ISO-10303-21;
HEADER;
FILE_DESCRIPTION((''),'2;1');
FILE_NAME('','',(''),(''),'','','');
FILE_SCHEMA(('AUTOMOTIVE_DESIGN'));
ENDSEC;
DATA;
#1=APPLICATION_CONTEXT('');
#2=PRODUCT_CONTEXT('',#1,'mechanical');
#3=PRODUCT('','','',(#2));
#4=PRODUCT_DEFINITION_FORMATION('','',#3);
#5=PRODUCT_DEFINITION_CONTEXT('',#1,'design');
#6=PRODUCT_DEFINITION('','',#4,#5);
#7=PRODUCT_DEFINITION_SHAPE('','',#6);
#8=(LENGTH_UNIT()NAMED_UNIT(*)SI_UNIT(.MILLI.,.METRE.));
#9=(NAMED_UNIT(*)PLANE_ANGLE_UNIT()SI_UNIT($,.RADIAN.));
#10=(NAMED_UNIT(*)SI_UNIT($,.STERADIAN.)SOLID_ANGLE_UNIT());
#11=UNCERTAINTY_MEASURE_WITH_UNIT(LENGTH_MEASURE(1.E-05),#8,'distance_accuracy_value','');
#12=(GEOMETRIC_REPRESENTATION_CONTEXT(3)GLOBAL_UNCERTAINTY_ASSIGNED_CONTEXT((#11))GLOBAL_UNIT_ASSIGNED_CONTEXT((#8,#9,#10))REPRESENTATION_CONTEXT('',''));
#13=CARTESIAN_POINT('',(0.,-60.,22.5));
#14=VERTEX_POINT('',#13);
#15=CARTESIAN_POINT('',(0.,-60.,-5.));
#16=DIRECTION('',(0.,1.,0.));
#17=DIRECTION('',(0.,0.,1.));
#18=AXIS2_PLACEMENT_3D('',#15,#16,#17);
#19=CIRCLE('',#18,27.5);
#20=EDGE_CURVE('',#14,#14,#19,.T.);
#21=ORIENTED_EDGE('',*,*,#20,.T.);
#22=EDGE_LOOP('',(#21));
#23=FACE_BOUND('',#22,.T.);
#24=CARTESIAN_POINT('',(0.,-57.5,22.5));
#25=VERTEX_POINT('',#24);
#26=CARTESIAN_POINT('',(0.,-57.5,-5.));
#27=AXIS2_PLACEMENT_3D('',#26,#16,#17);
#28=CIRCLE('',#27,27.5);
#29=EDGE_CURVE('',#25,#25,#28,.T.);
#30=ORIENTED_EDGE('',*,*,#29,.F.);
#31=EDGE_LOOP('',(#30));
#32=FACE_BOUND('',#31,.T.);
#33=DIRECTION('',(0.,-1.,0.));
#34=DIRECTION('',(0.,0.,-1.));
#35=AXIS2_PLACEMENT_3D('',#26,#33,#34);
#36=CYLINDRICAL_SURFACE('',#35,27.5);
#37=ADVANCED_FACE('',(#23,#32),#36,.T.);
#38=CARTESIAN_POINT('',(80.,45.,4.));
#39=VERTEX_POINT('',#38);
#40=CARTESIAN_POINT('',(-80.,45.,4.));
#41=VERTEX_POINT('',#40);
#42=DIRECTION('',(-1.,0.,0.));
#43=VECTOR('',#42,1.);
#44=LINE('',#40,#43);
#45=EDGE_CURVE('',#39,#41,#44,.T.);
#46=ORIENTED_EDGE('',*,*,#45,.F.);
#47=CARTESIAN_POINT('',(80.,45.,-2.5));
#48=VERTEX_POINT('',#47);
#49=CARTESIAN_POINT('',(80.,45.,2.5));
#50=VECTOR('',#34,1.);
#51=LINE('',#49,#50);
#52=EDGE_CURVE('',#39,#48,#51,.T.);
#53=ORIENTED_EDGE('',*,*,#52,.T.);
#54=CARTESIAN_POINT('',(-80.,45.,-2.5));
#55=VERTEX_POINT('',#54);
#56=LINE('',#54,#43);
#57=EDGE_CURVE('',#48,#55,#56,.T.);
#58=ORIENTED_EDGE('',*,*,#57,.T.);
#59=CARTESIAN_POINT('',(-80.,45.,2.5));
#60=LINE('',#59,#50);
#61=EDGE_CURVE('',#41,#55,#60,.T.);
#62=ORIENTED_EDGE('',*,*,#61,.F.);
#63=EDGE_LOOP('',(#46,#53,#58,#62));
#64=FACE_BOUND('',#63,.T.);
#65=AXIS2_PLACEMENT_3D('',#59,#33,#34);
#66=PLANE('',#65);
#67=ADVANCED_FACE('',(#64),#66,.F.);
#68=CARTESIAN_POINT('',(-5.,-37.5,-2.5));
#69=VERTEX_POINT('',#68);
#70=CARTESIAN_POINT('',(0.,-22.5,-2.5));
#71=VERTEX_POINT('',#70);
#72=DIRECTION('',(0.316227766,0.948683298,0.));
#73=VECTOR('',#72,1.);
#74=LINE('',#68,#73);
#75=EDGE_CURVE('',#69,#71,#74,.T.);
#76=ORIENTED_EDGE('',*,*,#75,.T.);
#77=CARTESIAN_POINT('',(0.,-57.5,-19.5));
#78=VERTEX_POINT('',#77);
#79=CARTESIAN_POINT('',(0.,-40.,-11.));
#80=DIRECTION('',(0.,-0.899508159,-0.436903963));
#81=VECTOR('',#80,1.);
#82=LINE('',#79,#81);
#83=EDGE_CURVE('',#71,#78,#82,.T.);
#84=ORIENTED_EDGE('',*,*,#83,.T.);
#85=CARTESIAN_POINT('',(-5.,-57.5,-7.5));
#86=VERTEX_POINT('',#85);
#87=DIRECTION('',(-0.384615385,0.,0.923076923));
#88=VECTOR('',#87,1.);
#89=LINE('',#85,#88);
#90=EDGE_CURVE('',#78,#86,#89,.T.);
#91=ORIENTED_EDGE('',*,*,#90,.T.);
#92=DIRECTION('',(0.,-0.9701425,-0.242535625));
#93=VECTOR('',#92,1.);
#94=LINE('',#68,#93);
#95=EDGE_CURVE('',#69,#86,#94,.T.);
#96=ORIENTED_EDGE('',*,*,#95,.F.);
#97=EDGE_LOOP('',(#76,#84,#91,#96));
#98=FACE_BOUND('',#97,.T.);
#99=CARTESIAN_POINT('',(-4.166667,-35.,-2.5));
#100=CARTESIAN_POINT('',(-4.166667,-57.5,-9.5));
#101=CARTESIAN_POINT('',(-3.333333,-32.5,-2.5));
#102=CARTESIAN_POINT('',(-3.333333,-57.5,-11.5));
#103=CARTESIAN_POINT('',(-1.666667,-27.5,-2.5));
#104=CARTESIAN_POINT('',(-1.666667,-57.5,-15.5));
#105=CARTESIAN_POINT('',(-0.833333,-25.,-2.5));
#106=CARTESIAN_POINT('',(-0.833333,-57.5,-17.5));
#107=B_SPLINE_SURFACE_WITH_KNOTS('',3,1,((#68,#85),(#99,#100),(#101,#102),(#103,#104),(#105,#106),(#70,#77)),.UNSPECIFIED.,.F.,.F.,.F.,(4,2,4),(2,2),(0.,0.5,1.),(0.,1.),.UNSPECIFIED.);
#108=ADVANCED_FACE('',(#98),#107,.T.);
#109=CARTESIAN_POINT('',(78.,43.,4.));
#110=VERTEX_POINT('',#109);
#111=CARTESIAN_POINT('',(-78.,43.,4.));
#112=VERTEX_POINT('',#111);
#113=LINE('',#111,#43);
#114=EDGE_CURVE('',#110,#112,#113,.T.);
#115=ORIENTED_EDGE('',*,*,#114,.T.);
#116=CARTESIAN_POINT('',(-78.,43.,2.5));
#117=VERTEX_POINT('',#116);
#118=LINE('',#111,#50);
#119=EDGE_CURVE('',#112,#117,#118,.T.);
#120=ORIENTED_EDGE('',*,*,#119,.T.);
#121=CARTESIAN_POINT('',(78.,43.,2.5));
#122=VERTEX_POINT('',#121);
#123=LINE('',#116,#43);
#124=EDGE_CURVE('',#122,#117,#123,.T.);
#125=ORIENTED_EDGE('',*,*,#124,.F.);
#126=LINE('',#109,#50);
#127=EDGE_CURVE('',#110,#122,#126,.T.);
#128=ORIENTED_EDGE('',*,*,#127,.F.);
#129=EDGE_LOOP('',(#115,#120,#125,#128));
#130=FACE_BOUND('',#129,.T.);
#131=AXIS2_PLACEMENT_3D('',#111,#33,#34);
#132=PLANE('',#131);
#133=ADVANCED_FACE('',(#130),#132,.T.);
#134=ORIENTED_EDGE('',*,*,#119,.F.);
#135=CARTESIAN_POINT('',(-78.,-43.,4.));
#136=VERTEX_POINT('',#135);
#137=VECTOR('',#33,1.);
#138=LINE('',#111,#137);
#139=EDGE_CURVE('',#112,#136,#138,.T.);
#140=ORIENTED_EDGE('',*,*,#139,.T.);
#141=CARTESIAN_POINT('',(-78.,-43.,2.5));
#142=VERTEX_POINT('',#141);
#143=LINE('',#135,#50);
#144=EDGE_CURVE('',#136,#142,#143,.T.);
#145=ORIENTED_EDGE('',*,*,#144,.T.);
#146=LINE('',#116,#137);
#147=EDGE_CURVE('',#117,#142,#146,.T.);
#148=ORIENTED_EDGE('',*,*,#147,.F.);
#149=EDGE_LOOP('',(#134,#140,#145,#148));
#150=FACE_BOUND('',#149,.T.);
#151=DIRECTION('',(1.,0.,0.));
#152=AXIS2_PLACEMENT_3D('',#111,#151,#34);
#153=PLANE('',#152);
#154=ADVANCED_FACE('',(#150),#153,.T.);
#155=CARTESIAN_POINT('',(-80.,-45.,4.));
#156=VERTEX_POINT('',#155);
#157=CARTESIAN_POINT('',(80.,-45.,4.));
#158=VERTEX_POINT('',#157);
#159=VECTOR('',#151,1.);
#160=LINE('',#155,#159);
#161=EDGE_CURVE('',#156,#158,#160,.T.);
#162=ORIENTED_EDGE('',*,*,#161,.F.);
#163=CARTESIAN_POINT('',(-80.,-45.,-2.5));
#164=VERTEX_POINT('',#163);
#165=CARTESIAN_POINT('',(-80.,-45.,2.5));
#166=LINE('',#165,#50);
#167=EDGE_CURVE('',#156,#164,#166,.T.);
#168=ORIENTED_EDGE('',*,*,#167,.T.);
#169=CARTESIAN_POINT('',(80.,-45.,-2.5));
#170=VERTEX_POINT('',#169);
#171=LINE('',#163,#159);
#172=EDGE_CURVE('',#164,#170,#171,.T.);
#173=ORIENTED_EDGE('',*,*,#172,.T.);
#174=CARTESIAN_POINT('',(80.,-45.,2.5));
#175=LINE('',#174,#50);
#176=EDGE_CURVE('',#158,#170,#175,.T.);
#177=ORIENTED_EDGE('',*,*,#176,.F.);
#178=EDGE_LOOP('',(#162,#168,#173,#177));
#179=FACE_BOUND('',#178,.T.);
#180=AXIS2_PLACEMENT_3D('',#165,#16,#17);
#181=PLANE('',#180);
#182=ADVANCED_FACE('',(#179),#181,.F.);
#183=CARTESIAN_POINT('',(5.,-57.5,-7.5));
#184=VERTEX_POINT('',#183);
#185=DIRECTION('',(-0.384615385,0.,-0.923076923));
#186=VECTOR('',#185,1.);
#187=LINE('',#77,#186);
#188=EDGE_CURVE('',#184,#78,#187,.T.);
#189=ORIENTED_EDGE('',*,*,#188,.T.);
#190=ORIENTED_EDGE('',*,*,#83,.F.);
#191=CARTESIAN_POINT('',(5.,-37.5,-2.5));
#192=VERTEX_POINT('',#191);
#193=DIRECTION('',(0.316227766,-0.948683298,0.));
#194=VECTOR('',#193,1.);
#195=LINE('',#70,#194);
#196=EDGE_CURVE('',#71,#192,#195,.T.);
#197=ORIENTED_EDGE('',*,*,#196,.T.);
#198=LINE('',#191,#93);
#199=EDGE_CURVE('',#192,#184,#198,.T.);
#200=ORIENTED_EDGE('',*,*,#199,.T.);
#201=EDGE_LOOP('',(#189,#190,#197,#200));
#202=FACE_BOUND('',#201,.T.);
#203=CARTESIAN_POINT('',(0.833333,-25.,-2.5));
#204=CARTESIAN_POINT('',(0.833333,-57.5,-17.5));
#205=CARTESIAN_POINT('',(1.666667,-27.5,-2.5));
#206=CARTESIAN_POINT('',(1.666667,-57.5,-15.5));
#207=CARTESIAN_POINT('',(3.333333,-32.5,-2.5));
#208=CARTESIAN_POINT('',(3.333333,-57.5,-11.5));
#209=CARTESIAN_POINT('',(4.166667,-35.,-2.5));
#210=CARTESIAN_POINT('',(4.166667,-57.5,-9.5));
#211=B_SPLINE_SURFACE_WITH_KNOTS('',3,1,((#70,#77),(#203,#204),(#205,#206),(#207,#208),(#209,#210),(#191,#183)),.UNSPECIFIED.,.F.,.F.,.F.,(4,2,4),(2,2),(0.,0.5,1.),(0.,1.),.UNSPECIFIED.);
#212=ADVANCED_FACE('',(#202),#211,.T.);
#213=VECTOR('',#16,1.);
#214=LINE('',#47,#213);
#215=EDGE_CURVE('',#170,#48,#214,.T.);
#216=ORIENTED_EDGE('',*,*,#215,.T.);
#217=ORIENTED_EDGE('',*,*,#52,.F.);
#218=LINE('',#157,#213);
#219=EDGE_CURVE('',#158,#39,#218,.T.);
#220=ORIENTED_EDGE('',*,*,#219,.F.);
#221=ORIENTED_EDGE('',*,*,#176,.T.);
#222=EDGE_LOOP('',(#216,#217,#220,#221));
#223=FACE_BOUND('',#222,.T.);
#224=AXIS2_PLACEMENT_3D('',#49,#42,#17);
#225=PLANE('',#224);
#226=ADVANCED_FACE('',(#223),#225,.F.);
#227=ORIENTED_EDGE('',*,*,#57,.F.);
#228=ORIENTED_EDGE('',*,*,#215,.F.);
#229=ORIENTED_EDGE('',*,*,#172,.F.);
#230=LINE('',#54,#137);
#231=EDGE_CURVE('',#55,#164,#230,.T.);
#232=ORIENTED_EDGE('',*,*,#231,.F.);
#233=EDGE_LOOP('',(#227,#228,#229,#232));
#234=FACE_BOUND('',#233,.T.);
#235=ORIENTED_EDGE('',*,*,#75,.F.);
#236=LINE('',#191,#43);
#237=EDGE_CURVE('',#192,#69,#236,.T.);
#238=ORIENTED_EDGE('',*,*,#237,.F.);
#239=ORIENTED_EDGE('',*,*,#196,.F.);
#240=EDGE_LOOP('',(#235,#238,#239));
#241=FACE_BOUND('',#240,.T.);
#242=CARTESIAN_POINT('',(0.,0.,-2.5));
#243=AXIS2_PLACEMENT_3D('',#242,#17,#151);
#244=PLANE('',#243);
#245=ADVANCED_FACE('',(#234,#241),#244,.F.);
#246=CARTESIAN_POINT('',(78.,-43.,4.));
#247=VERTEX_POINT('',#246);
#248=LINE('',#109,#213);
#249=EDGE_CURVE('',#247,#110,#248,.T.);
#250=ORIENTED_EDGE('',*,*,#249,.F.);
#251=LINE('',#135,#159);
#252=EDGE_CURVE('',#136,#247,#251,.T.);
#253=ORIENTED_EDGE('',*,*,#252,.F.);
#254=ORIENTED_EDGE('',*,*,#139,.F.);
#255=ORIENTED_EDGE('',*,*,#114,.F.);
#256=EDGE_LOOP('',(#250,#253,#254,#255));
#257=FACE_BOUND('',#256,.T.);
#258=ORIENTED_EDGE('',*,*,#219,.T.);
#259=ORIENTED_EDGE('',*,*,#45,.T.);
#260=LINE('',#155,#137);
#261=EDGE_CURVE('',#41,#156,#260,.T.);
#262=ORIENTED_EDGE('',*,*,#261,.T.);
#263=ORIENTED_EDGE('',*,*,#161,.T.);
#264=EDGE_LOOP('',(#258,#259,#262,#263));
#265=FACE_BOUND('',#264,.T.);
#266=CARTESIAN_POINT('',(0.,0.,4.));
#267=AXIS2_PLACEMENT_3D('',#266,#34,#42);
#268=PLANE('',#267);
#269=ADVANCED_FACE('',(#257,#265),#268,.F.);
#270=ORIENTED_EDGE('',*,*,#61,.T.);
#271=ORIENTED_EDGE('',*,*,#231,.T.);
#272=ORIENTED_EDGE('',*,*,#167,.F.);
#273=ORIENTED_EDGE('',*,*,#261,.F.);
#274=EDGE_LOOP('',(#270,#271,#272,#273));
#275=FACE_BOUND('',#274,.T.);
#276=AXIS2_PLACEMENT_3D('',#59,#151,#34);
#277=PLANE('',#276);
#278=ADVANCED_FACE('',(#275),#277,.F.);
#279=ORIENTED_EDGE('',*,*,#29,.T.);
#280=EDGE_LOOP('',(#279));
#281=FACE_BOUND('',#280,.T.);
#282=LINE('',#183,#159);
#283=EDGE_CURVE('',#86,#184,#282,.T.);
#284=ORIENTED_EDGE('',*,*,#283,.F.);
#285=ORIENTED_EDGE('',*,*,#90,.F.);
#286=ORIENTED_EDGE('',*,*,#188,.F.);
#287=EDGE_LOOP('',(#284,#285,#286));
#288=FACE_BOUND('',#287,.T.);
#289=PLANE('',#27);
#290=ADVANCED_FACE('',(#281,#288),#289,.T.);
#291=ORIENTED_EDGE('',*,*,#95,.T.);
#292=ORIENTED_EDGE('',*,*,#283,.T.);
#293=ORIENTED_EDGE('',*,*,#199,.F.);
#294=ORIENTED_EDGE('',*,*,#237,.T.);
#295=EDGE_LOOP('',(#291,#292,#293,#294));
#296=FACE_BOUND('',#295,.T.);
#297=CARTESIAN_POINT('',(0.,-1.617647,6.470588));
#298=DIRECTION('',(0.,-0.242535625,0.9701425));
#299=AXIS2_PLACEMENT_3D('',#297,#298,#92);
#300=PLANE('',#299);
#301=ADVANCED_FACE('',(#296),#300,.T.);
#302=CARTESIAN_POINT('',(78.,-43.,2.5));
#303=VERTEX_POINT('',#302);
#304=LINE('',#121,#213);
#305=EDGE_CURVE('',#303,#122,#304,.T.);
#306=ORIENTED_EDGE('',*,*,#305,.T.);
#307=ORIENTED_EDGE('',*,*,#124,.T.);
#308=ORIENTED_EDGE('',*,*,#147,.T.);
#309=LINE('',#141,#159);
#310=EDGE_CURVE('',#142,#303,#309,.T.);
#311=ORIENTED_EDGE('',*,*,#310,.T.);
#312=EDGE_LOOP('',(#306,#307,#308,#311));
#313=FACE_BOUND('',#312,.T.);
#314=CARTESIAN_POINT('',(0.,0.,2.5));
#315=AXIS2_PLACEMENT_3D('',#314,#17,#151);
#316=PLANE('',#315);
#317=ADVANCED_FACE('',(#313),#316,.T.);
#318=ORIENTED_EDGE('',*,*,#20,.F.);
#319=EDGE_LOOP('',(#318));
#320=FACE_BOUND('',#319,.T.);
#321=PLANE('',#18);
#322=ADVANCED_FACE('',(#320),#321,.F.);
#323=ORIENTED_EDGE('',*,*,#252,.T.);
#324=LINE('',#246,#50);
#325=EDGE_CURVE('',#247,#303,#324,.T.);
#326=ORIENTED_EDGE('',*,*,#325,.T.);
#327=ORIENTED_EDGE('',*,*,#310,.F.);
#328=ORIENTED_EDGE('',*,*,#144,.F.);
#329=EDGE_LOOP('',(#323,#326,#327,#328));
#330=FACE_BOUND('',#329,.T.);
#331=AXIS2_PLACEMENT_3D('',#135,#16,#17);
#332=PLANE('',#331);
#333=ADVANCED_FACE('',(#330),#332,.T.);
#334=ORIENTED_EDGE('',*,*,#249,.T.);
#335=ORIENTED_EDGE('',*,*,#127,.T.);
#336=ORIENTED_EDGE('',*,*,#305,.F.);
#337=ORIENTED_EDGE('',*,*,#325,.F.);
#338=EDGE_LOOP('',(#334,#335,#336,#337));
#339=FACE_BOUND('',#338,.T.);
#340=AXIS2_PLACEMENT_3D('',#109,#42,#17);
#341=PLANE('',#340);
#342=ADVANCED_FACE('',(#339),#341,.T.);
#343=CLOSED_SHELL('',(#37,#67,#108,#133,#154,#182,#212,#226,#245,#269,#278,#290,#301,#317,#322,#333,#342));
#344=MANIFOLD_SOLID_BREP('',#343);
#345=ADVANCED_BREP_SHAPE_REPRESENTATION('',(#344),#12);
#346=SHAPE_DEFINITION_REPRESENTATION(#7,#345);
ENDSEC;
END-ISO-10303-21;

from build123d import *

# Parameters (mm, degrees)
SKETCH1_W           = 160
SKETCH1_H           = 90
BOSS_EXTRUDE1_DEPTH = 2.5
SKETCH2_W           = 160
SKETCH2_H           = 90
SKETCH2_W_2         = 156
SKETCH2_H_2         = 86
BOSS_EXTRUDE2_DEPTH = 1.5
SKETCH3_R           = 27.5
BOSS_EXTRUDE3_DEPTH = 2.5


with BuildPart() as part:
    # Sketch1 → Boss-Extrude1 (new body, symmetric)
    with BuildSketch(Plane.XY):
        Rectangle(SKETCH1_W, SKETCH1_H)
    extrude(amount=BOSS_EXTRUDE1_DEPTH, both=True)

    # Sketch2 → Boss-Extrude2 (add)
    with BuildSketch(Plane.XY.offset(2.5)):
        Rectangle(SKETCH2_W, SKETCH2_H)
        Rectangle(SKETCH2_W_2, SKETCH2_H_2, mode=Mode.SUBTRACT)
    extrude(amount=BOSS_EXTRUDE2_DEPTH)



with BuildPart() as body_2:
    # Sketch3 → Boss-Extrude3 (new body)
    with BuildSketch(Plane(origin=(0, -60, 0), x_dir=(1, 0, 0), z_dir=(0, 1, 0))):
        with Locations((0, 5)):
            Circle(SKETCH3_R)
    extrude(amount=BOSS_EXTRUDE3_DEPTH)


with BuildPart() as part_1:
    add(part.part)

    add(body_2.part)  # Loft1 merges body 2
    # Sketch5 → Loft1 section 0
    with BuildSketch(Plane(origin=(0, 0, -2.5), x_dir=(-1, 0, 0), z_dir=(0, 0, -1))):
        Polygon((0, -22.5), (-5, -37.5), (5, -37.5), align=None)
    # Sketch4 → Loft1 section 1
    with BuildSketch(Plane(origin=(0, -57.5, 0), x_dir=(1, 0, 0), z_dir=(0, 1, 0))):
        Polygon((-5, 7.5), (0, 19.5), (5, 7.5), align=None)
    loft()


solid = part_1.part
